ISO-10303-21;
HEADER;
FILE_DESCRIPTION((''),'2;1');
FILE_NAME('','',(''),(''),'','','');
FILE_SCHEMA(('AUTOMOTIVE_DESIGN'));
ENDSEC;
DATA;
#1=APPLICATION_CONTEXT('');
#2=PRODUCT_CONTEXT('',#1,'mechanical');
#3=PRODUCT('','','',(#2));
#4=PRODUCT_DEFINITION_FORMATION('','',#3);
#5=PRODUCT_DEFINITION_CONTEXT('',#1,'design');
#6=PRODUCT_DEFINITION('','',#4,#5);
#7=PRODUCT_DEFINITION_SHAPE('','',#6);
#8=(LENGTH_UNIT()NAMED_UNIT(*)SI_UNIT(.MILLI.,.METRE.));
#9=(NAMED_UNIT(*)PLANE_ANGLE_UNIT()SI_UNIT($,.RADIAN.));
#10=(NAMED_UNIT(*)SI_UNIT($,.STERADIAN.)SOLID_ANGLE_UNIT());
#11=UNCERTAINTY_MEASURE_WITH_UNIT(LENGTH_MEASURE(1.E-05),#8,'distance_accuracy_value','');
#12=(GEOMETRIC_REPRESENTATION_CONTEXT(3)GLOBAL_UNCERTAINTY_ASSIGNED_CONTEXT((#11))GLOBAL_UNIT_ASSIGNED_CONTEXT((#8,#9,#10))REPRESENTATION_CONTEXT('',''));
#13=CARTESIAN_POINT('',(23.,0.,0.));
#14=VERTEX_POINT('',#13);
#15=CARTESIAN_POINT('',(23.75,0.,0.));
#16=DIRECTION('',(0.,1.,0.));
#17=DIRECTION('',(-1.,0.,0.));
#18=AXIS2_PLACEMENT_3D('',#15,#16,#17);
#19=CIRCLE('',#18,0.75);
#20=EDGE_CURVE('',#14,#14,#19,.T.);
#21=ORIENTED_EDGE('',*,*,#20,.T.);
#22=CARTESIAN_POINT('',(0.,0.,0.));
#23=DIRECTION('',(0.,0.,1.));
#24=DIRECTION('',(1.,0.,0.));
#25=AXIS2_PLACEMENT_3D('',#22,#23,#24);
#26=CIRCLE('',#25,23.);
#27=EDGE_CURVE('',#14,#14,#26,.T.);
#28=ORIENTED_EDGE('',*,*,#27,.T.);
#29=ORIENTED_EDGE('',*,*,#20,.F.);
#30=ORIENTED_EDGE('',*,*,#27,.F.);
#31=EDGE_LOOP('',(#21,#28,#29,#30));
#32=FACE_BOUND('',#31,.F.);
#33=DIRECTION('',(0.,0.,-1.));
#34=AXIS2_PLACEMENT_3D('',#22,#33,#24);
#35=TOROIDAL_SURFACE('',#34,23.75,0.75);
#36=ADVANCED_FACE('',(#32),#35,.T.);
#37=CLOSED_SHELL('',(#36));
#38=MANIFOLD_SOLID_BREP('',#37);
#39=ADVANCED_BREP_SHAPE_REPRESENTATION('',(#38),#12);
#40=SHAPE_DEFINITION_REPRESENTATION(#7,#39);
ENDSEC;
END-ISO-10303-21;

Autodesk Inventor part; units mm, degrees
ref_plane "YZ Plane" through (0, 0, 0) normal (1, 0, 0) x (0, 1, 0)
ref_plane "XZ Plane" through (0, 0, 0) normal (0, 1, 0) x (-1, 0, 0)
ref_plane "XY Plane" through (0, 0, 0) normal (0, 0, 1) x (1, 0, 0)
sketch "Skizze1" plane through (0, 0, 0) normal (0, 1, 0) x (-1, 0, 0)
  circle A0 centre (-23.75, 0) radius 0.75
  line L0 (0, -1.05) -> (0, 1.05) projected
  point P0 (0, 0)
  dimension "d0" = 1.5
  dimension "d1" = 23.75
revolve "Umdrehung1" add sketch "Skizze1" angle 360 about axis through (0, 0, -10) along (0, 0, 1)
properties part number "O-Ring_46x1.5"
